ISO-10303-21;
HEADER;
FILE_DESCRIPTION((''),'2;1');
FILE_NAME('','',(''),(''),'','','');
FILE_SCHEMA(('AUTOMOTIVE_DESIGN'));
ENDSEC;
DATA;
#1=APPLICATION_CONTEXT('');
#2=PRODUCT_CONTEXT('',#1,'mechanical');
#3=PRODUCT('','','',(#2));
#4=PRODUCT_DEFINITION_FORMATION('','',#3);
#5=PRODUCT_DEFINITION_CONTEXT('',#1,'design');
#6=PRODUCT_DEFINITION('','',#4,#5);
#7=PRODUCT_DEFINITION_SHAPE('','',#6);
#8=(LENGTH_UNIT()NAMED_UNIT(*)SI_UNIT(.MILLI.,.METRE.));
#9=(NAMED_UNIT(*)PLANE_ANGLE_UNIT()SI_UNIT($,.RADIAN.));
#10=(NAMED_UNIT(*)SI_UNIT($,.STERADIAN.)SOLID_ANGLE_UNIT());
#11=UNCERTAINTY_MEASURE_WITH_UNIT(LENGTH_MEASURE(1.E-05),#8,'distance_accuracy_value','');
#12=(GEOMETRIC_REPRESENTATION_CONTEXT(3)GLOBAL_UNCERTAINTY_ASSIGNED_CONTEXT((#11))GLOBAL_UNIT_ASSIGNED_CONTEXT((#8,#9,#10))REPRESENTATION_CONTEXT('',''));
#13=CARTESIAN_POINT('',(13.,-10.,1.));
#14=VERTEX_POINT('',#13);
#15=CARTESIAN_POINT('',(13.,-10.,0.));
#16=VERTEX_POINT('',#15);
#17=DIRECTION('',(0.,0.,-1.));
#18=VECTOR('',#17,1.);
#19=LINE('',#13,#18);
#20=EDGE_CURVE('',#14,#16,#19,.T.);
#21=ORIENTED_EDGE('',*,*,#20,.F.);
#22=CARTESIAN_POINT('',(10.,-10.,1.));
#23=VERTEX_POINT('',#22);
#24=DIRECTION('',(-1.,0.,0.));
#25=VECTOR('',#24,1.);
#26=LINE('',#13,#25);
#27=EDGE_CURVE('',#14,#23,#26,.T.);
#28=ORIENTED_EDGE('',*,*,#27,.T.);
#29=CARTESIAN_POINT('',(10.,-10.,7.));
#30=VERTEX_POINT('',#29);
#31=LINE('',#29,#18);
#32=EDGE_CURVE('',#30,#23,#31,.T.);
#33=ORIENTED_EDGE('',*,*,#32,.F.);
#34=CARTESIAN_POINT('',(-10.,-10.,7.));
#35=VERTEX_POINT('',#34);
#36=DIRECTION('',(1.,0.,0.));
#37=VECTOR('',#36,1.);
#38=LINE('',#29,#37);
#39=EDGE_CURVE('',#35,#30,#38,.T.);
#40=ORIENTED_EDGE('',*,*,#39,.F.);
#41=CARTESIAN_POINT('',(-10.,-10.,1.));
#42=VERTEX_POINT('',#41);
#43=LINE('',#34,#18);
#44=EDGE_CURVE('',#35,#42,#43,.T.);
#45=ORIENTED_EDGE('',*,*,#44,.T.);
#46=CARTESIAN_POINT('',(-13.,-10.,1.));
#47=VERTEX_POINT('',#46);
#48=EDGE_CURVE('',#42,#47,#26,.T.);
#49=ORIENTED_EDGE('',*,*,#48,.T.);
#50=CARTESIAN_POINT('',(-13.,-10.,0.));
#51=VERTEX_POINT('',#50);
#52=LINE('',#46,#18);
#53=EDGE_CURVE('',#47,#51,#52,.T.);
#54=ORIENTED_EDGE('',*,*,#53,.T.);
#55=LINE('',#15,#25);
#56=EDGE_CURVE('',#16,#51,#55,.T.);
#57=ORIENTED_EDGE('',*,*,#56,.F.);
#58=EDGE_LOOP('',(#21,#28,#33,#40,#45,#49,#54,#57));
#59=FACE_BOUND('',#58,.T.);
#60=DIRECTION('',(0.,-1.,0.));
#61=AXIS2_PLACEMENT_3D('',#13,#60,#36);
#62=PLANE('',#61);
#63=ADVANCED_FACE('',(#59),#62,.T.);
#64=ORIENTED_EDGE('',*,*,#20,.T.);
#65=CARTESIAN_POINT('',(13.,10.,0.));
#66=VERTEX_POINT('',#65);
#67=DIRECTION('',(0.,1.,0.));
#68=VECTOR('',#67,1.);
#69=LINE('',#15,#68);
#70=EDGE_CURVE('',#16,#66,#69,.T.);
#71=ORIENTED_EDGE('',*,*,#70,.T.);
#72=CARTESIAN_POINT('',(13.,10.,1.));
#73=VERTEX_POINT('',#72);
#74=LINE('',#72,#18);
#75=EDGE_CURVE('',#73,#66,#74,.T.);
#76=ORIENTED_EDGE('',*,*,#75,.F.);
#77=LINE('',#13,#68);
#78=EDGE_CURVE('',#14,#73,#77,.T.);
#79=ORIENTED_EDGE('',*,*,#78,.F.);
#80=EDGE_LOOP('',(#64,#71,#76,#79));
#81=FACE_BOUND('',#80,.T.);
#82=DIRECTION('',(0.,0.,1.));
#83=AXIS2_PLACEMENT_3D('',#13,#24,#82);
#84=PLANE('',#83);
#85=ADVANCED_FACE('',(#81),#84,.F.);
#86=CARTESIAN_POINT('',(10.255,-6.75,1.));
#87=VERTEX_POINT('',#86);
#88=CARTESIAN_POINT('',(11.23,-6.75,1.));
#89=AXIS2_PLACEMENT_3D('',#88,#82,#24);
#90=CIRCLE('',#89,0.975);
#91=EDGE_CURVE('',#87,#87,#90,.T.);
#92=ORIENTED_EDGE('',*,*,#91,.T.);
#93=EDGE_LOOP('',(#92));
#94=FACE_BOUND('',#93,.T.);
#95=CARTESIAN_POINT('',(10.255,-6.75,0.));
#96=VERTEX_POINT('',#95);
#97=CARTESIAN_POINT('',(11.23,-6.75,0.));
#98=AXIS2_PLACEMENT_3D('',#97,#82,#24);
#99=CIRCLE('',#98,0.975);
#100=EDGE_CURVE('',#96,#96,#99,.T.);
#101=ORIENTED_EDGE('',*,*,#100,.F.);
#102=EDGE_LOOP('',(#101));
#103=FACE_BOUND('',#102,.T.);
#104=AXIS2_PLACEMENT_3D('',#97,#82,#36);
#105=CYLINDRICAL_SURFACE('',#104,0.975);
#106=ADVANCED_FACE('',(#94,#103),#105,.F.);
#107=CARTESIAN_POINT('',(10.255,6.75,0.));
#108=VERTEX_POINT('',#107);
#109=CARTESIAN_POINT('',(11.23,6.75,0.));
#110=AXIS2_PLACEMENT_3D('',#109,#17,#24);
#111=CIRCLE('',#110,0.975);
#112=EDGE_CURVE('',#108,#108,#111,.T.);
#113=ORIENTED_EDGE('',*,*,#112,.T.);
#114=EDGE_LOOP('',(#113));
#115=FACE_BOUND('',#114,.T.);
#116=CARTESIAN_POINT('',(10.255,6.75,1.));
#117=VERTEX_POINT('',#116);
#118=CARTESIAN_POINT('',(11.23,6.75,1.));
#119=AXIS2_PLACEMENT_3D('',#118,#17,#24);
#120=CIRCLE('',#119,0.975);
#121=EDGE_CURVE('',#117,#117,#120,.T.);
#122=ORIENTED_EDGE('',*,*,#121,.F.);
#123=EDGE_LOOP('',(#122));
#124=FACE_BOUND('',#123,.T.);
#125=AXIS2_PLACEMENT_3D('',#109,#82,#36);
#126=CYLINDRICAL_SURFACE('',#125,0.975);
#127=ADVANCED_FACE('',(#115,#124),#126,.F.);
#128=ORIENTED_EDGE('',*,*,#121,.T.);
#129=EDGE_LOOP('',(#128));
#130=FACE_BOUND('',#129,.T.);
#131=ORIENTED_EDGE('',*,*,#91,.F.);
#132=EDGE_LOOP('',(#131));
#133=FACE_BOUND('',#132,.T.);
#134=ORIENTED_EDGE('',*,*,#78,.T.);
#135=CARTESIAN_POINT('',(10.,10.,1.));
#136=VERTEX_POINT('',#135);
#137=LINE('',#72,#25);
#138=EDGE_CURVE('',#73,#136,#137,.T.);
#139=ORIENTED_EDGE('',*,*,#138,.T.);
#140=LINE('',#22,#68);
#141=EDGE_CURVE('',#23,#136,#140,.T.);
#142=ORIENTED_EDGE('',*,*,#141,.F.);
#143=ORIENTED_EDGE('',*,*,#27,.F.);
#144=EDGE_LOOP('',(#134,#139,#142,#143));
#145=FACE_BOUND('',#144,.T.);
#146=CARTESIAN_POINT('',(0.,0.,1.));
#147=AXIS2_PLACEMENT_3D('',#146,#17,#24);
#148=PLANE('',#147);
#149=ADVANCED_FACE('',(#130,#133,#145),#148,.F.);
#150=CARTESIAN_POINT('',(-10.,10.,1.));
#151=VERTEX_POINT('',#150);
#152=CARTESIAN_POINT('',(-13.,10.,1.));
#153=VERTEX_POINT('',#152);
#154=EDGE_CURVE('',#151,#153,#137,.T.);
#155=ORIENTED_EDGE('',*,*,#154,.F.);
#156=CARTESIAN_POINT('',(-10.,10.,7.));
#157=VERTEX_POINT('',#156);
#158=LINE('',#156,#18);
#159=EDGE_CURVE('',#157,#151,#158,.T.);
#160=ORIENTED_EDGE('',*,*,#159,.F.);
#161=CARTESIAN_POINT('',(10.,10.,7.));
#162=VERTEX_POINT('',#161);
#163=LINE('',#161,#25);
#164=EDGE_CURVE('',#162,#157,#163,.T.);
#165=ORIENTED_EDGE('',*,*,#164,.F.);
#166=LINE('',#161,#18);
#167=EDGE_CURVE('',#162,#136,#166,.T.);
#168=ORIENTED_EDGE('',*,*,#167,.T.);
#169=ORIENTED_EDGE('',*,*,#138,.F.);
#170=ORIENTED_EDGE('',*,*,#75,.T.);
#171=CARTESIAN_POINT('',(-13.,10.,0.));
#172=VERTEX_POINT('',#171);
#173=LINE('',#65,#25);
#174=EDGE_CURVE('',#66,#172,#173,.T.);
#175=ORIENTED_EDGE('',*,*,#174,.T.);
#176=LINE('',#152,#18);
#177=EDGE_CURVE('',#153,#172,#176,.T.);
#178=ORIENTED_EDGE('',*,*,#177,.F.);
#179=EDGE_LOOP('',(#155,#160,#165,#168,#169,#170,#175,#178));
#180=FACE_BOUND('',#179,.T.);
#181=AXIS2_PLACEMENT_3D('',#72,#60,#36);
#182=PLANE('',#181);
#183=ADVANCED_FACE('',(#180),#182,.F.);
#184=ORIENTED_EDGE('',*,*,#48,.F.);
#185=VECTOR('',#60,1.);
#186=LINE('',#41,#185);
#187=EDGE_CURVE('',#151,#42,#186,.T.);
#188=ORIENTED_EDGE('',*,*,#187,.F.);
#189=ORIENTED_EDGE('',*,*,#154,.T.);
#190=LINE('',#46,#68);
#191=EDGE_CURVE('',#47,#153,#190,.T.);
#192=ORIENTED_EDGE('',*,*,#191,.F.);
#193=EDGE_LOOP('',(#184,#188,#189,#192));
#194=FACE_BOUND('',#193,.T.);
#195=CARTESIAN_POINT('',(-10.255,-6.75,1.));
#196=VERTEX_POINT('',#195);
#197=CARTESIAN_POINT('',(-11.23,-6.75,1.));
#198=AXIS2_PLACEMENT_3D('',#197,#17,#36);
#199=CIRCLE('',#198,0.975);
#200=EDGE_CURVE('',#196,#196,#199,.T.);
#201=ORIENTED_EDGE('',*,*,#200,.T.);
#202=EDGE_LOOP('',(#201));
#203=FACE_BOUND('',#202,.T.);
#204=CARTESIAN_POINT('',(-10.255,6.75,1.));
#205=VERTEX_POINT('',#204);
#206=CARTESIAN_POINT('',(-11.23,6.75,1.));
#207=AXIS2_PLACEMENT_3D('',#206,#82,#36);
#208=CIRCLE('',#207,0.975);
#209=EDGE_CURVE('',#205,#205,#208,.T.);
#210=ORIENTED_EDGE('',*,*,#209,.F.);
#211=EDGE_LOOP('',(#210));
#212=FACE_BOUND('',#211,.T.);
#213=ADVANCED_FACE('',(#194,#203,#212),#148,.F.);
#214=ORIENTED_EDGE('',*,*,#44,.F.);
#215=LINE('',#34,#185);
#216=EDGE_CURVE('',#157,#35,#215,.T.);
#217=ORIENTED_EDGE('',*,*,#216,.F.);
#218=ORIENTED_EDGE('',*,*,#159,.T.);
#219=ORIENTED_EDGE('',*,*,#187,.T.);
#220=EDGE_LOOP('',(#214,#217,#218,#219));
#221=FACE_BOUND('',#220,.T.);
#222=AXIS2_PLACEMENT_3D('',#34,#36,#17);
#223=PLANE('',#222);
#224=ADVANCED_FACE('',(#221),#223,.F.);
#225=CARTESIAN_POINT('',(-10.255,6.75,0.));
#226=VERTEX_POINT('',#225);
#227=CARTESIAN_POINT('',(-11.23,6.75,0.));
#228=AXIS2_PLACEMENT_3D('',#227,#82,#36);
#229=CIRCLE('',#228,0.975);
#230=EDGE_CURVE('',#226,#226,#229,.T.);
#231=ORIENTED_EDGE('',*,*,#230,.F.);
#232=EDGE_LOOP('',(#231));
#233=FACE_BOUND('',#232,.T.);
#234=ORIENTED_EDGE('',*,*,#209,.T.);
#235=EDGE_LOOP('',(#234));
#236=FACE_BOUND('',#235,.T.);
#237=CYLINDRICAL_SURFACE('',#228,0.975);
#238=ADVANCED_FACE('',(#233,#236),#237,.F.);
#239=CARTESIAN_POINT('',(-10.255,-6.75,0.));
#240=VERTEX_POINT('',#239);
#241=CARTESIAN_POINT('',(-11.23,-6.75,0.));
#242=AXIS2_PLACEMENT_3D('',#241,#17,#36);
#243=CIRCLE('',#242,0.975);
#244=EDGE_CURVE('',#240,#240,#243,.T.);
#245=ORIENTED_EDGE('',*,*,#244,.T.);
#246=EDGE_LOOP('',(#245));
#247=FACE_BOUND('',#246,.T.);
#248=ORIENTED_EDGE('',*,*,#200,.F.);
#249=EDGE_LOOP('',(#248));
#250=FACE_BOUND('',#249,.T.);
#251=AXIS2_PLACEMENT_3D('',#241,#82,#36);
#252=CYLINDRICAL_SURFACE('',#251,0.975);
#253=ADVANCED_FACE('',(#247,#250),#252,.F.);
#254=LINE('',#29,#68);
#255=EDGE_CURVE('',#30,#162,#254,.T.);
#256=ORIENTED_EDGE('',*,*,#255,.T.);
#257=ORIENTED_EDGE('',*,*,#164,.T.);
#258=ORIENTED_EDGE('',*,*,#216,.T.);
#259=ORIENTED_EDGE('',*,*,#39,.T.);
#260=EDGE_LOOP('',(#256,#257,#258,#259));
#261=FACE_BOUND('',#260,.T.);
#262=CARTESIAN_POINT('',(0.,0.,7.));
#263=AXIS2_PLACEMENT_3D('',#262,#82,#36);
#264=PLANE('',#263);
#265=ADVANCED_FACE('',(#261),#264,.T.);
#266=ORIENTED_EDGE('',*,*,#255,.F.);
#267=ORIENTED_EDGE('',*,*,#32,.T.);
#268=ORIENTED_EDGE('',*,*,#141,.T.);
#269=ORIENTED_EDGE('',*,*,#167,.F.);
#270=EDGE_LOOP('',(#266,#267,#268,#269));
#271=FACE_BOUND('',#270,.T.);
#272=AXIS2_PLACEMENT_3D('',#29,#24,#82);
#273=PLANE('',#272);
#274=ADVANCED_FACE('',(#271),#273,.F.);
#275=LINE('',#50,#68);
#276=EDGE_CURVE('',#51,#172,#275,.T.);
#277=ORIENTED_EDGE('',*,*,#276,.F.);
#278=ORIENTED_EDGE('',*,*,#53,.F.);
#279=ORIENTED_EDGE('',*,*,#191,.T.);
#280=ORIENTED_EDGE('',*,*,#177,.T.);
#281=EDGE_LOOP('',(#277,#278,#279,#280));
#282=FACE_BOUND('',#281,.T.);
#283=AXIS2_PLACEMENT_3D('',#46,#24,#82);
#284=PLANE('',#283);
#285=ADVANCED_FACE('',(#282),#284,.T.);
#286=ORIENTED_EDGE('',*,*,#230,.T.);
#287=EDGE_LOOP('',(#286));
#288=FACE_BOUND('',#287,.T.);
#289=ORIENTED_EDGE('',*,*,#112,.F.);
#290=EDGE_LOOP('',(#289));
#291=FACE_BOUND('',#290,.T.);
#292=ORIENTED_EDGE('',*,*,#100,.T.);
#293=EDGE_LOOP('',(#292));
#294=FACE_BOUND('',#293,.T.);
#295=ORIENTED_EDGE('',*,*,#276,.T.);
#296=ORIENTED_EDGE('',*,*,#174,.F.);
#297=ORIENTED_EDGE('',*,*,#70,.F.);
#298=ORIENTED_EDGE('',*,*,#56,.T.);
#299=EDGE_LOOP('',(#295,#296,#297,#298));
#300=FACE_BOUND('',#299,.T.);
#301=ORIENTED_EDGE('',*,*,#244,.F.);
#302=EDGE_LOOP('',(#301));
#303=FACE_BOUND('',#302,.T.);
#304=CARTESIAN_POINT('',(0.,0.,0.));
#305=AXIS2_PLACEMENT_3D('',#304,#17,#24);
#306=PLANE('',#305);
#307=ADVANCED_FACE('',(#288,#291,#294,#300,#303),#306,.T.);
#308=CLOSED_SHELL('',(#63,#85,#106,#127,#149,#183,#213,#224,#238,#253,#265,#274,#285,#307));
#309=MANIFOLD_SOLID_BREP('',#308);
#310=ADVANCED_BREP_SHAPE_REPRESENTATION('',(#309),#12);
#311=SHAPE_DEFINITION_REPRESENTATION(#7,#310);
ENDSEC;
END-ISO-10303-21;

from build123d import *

# Parameters (mm, degrees)
SKETCH2_W               = 26
SKETCH2_H               = 20
BOSS_EXTRUDE1_DEPTH     = 1
SKETCH3_W               = 20
SKETCH3_H               = 20
BOSS_EXTRUDE2_DEPTH     = 6
SKETCH4_R               = 0.975
CUT_EXTRUDE1_DEPTH      = 2
MIRROR2_COPY_1_SKETCH_R = 0.975
MIRROR2_COPY_1_DEPTH    = 2


with BuildPart() as part:
    # Sketch2 → Boss-Extrude1 (new body)
    with BuildSketch(Plane.XY):
        Rectangle(SKETCH2_W, SKETCH2_H)
    extrude(amount=BOSS_EXTRUDE1_DEPTH)

    # Sketch3 → Boss-Extrude2 (add)
    with BuildSketch(Plane.XY.offset(1)):
        Rectangle(SKETCH3_W, SKETCH3_H)
    extrude(amount=BOSS_EXTRUDE2_DEPTH)

    # Sketch4 → Cut-Extrude1 (cut, through all)
    with BuildSketch(Plane.XY.offset(1)):
        with Locations((-11.23, 6.75)):
            Circle(SKETCH4_R)
    cut_extrude1 = extrude(amount=-CUT_EXTRUDE1_DEPTH, mode=Mode.SUBTRACT)

    # Mirror1: Cut-Extrude1 across plane
    add(cut_extrude1.mirror(Plane(origin=(0, 0, 0), x_dir=(0, 0, 1), z_dir=(1, 0, 0))), mode=Mode.SUBTRACT)

    # Mirror2: Cut-Extrude1 across plane
    add(cut_extrude1.mirror(Plane.ZX), mode=Mode.SUBTRACT)

    # Mirror2 copy 1 sketch → Mirror2 copy 1 (cut, through all)
    with BuildSketch(Plane(origin=(0, 0, 1), x_dir=(-1, 0, 0), z_dir=(0, 0, 1))):
        with Locations((-11.23, 6.75)):
            Circle(MIRROR2_COPY_1_SKETCH_R)
    extrude(amount=-MIRROR2_COPY_1_DEPTH, mode=Mode.SUBTRACT)


solid = part.part
